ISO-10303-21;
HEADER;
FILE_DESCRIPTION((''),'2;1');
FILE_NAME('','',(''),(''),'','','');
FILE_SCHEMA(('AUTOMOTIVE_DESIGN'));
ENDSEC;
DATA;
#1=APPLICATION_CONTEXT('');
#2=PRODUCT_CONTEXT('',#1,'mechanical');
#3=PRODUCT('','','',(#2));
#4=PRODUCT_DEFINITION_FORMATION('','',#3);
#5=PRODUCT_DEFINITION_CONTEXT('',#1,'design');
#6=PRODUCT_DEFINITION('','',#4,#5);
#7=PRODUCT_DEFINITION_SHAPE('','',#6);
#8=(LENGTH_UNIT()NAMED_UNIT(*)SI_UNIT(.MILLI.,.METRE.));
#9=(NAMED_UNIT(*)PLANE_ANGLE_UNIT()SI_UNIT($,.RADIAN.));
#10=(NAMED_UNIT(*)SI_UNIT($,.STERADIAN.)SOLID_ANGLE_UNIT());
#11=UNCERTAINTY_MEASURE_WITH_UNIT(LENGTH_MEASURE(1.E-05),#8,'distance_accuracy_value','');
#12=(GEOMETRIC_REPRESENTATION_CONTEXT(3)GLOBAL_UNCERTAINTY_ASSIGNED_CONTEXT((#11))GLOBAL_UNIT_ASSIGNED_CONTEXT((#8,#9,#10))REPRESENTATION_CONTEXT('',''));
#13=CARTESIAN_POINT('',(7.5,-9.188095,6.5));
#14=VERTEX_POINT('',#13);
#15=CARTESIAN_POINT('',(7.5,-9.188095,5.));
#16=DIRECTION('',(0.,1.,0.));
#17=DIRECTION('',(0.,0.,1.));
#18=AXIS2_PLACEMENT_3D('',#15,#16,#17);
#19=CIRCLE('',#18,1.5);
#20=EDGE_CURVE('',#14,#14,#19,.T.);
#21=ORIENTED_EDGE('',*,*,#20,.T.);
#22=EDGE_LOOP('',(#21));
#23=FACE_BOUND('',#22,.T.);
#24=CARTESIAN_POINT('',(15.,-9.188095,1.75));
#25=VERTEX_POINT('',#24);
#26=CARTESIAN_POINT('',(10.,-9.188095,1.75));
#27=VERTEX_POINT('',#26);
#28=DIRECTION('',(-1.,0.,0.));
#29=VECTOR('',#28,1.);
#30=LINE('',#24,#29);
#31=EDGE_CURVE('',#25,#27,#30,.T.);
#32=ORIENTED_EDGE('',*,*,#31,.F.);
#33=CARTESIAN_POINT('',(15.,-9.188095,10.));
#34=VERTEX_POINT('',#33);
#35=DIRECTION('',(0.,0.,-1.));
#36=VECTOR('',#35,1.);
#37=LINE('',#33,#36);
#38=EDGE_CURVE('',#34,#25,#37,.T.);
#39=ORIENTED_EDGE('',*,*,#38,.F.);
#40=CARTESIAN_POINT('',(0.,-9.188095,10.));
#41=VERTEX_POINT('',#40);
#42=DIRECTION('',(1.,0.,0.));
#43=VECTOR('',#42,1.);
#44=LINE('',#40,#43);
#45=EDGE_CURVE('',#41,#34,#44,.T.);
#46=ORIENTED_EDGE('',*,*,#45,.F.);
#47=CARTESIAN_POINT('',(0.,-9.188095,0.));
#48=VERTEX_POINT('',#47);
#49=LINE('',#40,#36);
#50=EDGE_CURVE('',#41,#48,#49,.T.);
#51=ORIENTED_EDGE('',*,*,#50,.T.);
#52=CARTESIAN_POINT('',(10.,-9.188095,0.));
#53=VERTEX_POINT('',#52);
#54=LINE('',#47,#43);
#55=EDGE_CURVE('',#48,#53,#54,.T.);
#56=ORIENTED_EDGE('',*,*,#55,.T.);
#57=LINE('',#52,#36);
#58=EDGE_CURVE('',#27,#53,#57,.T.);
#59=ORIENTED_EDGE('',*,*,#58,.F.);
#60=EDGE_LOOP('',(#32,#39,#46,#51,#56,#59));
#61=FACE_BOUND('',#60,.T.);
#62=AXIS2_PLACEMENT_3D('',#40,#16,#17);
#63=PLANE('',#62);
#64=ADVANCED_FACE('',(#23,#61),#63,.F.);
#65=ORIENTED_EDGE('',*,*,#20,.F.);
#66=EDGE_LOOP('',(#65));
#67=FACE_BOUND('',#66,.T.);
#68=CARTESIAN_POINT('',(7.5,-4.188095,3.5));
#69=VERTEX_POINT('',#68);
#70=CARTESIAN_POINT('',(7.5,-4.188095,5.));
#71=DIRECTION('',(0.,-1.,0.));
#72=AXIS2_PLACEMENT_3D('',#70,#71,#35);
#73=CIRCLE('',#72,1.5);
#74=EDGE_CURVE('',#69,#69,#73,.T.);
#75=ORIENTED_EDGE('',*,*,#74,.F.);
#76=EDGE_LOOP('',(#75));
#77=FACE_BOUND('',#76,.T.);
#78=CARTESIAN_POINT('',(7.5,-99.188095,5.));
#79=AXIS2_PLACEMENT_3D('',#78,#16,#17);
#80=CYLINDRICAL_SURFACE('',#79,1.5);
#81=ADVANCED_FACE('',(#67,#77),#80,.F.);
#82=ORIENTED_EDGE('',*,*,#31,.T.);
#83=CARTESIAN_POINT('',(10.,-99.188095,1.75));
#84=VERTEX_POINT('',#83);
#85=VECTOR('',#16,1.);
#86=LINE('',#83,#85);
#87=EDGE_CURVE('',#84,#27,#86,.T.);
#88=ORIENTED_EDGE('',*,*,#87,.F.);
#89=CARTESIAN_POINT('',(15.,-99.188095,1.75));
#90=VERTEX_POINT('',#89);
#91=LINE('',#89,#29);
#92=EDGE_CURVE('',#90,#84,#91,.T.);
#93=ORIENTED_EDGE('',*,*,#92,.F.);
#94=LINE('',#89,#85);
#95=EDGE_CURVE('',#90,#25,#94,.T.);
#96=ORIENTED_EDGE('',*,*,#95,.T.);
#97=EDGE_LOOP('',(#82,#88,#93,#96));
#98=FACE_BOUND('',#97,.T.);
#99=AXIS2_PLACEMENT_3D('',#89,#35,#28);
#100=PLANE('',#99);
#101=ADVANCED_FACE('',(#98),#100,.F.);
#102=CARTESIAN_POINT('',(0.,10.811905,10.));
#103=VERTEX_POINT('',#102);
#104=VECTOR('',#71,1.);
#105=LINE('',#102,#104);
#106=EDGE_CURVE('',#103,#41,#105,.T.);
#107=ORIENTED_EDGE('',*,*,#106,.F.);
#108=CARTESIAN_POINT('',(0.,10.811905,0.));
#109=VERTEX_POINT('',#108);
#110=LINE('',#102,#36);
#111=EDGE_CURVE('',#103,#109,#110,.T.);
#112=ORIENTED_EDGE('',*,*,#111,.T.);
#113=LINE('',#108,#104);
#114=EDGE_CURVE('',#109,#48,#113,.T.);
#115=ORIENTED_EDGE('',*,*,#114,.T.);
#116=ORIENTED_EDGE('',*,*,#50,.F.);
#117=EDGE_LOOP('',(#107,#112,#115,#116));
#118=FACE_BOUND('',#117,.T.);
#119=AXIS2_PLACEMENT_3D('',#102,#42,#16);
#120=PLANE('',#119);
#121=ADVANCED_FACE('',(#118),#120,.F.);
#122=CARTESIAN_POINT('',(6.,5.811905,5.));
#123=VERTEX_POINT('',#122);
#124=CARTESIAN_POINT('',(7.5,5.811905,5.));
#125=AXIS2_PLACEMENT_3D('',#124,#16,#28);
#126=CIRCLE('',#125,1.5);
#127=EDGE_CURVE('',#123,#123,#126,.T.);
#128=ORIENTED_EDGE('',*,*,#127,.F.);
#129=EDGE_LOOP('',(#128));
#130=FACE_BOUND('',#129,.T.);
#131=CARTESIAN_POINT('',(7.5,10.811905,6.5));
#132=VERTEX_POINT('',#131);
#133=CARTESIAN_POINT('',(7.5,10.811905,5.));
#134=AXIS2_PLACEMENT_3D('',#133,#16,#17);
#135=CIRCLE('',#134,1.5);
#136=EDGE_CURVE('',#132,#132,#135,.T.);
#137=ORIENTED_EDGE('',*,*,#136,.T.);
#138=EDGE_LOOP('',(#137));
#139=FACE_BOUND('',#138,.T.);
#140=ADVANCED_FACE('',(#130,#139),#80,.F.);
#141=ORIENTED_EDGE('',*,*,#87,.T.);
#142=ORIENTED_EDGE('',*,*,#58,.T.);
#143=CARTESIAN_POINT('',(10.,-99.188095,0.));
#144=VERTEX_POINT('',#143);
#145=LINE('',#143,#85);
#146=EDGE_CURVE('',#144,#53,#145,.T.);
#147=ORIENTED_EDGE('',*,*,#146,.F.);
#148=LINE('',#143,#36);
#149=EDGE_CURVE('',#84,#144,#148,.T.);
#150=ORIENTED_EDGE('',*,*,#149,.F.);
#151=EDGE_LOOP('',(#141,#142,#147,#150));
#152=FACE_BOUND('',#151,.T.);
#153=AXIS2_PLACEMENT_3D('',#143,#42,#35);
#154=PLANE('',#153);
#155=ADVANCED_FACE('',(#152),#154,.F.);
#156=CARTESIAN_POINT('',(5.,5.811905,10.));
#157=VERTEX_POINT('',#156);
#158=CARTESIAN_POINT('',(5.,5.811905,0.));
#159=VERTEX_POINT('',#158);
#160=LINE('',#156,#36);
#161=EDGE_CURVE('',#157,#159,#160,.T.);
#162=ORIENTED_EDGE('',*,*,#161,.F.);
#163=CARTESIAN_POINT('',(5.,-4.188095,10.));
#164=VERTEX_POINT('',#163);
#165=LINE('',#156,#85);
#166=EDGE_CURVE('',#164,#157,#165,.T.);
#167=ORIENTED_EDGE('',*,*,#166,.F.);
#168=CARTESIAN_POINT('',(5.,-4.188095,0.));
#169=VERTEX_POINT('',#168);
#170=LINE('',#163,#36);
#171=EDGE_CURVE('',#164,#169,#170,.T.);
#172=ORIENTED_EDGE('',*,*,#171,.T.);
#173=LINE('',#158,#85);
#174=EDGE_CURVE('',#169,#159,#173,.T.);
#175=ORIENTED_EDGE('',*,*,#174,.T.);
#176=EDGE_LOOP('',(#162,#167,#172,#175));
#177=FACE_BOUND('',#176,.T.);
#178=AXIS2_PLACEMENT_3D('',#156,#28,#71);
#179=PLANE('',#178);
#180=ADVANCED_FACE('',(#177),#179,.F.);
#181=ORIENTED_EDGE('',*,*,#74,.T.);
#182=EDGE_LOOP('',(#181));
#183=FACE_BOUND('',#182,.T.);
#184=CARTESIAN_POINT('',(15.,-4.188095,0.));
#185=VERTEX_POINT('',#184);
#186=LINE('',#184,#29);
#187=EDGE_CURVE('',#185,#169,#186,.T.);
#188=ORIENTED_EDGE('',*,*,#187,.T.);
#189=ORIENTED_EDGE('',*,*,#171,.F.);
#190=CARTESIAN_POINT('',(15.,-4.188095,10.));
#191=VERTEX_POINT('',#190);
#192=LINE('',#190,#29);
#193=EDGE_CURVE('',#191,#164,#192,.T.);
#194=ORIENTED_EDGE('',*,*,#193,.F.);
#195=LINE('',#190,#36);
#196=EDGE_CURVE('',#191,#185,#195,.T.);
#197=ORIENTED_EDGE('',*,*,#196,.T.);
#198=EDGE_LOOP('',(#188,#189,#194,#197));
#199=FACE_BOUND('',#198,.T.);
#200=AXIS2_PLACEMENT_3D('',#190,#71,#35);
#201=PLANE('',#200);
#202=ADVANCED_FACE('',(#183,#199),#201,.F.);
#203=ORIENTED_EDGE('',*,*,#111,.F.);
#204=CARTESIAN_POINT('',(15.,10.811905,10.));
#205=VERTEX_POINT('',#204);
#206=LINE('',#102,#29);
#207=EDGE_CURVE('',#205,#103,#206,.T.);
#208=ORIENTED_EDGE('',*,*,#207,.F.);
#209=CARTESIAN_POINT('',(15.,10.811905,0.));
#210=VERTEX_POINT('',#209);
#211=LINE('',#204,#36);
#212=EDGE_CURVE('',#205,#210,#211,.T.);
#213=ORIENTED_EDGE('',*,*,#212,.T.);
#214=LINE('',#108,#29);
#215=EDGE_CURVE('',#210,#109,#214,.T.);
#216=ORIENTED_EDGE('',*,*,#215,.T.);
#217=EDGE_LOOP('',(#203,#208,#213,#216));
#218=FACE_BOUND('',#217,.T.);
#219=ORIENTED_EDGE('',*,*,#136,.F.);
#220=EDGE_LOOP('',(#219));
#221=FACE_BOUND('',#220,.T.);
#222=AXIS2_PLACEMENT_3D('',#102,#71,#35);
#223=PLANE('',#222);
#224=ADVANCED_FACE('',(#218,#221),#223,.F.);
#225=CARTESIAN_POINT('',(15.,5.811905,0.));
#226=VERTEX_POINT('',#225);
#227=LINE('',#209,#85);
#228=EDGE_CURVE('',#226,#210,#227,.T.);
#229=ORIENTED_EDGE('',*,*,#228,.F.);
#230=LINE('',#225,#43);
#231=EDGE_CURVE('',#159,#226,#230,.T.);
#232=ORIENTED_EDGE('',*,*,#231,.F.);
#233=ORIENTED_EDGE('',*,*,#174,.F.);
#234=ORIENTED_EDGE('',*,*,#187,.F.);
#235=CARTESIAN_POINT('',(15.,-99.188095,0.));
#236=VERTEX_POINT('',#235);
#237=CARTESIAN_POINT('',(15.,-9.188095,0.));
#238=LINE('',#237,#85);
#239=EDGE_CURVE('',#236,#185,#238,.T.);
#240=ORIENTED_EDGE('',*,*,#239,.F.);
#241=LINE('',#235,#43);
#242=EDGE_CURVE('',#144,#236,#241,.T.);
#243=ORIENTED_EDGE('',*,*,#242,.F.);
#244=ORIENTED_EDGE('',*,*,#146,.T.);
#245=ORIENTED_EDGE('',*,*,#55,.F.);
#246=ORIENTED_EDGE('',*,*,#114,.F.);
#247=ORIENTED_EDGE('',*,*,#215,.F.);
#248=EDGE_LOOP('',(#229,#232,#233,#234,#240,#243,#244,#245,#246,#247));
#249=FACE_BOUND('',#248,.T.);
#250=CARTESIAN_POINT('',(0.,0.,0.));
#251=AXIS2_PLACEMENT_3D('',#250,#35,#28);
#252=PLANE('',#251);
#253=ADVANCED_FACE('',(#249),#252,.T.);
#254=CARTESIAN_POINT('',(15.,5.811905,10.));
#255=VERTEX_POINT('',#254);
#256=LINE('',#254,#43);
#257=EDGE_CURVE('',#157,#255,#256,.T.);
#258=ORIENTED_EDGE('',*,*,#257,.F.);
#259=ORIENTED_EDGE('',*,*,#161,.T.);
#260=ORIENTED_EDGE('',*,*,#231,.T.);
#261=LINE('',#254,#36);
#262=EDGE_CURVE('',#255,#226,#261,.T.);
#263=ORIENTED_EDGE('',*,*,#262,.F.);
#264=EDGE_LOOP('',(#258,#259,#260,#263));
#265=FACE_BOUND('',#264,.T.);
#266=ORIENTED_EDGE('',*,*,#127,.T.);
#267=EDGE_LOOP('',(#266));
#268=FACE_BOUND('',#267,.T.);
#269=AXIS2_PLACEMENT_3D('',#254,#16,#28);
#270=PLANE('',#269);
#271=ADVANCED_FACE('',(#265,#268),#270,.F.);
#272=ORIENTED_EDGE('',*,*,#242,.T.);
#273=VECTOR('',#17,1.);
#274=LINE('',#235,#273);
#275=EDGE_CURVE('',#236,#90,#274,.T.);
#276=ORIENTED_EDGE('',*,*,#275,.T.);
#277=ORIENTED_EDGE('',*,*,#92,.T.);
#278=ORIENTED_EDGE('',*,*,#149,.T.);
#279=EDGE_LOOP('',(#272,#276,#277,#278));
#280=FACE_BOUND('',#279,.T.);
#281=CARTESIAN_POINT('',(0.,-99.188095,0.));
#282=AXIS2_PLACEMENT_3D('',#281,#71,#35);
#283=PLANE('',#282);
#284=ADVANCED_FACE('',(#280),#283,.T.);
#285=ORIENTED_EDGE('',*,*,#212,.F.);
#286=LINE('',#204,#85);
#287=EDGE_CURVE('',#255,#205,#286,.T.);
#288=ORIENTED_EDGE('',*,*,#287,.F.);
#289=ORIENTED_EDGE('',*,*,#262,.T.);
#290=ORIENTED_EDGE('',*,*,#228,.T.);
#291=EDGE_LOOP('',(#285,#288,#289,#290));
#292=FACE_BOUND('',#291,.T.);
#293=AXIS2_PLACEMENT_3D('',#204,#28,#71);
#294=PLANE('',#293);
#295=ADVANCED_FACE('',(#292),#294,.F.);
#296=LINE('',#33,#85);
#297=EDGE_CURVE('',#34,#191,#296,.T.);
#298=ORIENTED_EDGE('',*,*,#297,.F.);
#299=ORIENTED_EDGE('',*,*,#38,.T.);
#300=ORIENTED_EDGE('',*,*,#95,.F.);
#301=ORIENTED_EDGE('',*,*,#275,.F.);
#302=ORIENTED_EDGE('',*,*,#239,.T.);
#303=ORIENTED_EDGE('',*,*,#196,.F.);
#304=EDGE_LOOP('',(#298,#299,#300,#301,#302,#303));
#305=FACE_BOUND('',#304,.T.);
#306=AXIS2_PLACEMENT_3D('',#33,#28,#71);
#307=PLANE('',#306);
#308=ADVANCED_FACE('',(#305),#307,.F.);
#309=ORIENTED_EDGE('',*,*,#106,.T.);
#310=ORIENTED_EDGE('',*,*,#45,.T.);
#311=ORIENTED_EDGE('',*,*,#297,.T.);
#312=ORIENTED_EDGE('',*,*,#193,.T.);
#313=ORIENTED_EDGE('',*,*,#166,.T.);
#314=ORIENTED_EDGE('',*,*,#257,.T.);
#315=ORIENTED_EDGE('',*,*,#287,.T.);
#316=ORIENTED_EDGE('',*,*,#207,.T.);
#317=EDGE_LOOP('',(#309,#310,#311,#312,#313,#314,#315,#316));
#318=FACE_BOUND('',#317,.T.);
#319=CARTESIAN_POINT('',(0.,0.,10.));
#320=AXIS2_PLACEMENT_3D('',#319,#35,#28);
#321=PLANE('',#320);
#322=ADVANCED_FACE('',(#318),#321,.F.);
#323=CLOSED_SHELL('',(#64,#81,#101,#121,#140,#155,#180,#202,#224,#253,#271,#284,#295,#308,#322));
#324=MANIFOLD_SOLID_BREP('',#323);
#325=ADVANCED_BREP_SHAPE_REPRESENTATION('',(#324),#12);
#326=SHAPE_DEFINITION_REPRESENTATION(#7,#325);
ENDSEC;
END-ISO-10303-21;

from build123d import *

# Parameters (mm, degrees)
BOSS_EXTRUDE1_DEPTH = 10
SKETCH3_W           = 5
SKETCH3_H           = 1.75
BOSS_EXTRUDE2_DEPTH = 90
SKETCH4_R           = 1.5
CUT_EXTRUDE1_DEPTH  = 111


with BuildPart() as part:
    # Sketch1 → Boss-Extrude1 (new body)
    with BuildSketch(Plane.XY):
        Polygon((0, 10.81190481), (0, -9.18809519), (15, -9.18809519), (15, -4.18809519), (5, -4.18809519), (5, 5.81190481), (15, 5.81190481), (15, 10.81190481), align=None)
    extrude(amount=BOSS_EXTRUDE1_DEPTH)

    # Sketch3 → Boss-Extrude2 (add)
    with BuildSketch(Plane(origin=(0, -9.18809519, 0), x_dir=(-1, 0, 0), z_dir=(0, -1, 0))):
        with Locations((-12.5, -0.875)):
            Rectangle(SKETCH3_W, SKETCH3_H)
    extrude(amount=BOSS_EXTRUDE2_DEPTH)

    # Sketch4 → Cut-Extrude1 (cut, through all)
    with BuildSketch(Plane(origin=(0, 10.81190481, 0), x_dir=(1, 0, 0), z_dir=(0, 1, 0))):
        with Locations((7.5, -5)):
            Circle(SKETCH4_R)
    extrude(amount=-CUT_EXTRUDE1_DEPTH, mode=Mode.SUBTRACT)


solid = part.part
